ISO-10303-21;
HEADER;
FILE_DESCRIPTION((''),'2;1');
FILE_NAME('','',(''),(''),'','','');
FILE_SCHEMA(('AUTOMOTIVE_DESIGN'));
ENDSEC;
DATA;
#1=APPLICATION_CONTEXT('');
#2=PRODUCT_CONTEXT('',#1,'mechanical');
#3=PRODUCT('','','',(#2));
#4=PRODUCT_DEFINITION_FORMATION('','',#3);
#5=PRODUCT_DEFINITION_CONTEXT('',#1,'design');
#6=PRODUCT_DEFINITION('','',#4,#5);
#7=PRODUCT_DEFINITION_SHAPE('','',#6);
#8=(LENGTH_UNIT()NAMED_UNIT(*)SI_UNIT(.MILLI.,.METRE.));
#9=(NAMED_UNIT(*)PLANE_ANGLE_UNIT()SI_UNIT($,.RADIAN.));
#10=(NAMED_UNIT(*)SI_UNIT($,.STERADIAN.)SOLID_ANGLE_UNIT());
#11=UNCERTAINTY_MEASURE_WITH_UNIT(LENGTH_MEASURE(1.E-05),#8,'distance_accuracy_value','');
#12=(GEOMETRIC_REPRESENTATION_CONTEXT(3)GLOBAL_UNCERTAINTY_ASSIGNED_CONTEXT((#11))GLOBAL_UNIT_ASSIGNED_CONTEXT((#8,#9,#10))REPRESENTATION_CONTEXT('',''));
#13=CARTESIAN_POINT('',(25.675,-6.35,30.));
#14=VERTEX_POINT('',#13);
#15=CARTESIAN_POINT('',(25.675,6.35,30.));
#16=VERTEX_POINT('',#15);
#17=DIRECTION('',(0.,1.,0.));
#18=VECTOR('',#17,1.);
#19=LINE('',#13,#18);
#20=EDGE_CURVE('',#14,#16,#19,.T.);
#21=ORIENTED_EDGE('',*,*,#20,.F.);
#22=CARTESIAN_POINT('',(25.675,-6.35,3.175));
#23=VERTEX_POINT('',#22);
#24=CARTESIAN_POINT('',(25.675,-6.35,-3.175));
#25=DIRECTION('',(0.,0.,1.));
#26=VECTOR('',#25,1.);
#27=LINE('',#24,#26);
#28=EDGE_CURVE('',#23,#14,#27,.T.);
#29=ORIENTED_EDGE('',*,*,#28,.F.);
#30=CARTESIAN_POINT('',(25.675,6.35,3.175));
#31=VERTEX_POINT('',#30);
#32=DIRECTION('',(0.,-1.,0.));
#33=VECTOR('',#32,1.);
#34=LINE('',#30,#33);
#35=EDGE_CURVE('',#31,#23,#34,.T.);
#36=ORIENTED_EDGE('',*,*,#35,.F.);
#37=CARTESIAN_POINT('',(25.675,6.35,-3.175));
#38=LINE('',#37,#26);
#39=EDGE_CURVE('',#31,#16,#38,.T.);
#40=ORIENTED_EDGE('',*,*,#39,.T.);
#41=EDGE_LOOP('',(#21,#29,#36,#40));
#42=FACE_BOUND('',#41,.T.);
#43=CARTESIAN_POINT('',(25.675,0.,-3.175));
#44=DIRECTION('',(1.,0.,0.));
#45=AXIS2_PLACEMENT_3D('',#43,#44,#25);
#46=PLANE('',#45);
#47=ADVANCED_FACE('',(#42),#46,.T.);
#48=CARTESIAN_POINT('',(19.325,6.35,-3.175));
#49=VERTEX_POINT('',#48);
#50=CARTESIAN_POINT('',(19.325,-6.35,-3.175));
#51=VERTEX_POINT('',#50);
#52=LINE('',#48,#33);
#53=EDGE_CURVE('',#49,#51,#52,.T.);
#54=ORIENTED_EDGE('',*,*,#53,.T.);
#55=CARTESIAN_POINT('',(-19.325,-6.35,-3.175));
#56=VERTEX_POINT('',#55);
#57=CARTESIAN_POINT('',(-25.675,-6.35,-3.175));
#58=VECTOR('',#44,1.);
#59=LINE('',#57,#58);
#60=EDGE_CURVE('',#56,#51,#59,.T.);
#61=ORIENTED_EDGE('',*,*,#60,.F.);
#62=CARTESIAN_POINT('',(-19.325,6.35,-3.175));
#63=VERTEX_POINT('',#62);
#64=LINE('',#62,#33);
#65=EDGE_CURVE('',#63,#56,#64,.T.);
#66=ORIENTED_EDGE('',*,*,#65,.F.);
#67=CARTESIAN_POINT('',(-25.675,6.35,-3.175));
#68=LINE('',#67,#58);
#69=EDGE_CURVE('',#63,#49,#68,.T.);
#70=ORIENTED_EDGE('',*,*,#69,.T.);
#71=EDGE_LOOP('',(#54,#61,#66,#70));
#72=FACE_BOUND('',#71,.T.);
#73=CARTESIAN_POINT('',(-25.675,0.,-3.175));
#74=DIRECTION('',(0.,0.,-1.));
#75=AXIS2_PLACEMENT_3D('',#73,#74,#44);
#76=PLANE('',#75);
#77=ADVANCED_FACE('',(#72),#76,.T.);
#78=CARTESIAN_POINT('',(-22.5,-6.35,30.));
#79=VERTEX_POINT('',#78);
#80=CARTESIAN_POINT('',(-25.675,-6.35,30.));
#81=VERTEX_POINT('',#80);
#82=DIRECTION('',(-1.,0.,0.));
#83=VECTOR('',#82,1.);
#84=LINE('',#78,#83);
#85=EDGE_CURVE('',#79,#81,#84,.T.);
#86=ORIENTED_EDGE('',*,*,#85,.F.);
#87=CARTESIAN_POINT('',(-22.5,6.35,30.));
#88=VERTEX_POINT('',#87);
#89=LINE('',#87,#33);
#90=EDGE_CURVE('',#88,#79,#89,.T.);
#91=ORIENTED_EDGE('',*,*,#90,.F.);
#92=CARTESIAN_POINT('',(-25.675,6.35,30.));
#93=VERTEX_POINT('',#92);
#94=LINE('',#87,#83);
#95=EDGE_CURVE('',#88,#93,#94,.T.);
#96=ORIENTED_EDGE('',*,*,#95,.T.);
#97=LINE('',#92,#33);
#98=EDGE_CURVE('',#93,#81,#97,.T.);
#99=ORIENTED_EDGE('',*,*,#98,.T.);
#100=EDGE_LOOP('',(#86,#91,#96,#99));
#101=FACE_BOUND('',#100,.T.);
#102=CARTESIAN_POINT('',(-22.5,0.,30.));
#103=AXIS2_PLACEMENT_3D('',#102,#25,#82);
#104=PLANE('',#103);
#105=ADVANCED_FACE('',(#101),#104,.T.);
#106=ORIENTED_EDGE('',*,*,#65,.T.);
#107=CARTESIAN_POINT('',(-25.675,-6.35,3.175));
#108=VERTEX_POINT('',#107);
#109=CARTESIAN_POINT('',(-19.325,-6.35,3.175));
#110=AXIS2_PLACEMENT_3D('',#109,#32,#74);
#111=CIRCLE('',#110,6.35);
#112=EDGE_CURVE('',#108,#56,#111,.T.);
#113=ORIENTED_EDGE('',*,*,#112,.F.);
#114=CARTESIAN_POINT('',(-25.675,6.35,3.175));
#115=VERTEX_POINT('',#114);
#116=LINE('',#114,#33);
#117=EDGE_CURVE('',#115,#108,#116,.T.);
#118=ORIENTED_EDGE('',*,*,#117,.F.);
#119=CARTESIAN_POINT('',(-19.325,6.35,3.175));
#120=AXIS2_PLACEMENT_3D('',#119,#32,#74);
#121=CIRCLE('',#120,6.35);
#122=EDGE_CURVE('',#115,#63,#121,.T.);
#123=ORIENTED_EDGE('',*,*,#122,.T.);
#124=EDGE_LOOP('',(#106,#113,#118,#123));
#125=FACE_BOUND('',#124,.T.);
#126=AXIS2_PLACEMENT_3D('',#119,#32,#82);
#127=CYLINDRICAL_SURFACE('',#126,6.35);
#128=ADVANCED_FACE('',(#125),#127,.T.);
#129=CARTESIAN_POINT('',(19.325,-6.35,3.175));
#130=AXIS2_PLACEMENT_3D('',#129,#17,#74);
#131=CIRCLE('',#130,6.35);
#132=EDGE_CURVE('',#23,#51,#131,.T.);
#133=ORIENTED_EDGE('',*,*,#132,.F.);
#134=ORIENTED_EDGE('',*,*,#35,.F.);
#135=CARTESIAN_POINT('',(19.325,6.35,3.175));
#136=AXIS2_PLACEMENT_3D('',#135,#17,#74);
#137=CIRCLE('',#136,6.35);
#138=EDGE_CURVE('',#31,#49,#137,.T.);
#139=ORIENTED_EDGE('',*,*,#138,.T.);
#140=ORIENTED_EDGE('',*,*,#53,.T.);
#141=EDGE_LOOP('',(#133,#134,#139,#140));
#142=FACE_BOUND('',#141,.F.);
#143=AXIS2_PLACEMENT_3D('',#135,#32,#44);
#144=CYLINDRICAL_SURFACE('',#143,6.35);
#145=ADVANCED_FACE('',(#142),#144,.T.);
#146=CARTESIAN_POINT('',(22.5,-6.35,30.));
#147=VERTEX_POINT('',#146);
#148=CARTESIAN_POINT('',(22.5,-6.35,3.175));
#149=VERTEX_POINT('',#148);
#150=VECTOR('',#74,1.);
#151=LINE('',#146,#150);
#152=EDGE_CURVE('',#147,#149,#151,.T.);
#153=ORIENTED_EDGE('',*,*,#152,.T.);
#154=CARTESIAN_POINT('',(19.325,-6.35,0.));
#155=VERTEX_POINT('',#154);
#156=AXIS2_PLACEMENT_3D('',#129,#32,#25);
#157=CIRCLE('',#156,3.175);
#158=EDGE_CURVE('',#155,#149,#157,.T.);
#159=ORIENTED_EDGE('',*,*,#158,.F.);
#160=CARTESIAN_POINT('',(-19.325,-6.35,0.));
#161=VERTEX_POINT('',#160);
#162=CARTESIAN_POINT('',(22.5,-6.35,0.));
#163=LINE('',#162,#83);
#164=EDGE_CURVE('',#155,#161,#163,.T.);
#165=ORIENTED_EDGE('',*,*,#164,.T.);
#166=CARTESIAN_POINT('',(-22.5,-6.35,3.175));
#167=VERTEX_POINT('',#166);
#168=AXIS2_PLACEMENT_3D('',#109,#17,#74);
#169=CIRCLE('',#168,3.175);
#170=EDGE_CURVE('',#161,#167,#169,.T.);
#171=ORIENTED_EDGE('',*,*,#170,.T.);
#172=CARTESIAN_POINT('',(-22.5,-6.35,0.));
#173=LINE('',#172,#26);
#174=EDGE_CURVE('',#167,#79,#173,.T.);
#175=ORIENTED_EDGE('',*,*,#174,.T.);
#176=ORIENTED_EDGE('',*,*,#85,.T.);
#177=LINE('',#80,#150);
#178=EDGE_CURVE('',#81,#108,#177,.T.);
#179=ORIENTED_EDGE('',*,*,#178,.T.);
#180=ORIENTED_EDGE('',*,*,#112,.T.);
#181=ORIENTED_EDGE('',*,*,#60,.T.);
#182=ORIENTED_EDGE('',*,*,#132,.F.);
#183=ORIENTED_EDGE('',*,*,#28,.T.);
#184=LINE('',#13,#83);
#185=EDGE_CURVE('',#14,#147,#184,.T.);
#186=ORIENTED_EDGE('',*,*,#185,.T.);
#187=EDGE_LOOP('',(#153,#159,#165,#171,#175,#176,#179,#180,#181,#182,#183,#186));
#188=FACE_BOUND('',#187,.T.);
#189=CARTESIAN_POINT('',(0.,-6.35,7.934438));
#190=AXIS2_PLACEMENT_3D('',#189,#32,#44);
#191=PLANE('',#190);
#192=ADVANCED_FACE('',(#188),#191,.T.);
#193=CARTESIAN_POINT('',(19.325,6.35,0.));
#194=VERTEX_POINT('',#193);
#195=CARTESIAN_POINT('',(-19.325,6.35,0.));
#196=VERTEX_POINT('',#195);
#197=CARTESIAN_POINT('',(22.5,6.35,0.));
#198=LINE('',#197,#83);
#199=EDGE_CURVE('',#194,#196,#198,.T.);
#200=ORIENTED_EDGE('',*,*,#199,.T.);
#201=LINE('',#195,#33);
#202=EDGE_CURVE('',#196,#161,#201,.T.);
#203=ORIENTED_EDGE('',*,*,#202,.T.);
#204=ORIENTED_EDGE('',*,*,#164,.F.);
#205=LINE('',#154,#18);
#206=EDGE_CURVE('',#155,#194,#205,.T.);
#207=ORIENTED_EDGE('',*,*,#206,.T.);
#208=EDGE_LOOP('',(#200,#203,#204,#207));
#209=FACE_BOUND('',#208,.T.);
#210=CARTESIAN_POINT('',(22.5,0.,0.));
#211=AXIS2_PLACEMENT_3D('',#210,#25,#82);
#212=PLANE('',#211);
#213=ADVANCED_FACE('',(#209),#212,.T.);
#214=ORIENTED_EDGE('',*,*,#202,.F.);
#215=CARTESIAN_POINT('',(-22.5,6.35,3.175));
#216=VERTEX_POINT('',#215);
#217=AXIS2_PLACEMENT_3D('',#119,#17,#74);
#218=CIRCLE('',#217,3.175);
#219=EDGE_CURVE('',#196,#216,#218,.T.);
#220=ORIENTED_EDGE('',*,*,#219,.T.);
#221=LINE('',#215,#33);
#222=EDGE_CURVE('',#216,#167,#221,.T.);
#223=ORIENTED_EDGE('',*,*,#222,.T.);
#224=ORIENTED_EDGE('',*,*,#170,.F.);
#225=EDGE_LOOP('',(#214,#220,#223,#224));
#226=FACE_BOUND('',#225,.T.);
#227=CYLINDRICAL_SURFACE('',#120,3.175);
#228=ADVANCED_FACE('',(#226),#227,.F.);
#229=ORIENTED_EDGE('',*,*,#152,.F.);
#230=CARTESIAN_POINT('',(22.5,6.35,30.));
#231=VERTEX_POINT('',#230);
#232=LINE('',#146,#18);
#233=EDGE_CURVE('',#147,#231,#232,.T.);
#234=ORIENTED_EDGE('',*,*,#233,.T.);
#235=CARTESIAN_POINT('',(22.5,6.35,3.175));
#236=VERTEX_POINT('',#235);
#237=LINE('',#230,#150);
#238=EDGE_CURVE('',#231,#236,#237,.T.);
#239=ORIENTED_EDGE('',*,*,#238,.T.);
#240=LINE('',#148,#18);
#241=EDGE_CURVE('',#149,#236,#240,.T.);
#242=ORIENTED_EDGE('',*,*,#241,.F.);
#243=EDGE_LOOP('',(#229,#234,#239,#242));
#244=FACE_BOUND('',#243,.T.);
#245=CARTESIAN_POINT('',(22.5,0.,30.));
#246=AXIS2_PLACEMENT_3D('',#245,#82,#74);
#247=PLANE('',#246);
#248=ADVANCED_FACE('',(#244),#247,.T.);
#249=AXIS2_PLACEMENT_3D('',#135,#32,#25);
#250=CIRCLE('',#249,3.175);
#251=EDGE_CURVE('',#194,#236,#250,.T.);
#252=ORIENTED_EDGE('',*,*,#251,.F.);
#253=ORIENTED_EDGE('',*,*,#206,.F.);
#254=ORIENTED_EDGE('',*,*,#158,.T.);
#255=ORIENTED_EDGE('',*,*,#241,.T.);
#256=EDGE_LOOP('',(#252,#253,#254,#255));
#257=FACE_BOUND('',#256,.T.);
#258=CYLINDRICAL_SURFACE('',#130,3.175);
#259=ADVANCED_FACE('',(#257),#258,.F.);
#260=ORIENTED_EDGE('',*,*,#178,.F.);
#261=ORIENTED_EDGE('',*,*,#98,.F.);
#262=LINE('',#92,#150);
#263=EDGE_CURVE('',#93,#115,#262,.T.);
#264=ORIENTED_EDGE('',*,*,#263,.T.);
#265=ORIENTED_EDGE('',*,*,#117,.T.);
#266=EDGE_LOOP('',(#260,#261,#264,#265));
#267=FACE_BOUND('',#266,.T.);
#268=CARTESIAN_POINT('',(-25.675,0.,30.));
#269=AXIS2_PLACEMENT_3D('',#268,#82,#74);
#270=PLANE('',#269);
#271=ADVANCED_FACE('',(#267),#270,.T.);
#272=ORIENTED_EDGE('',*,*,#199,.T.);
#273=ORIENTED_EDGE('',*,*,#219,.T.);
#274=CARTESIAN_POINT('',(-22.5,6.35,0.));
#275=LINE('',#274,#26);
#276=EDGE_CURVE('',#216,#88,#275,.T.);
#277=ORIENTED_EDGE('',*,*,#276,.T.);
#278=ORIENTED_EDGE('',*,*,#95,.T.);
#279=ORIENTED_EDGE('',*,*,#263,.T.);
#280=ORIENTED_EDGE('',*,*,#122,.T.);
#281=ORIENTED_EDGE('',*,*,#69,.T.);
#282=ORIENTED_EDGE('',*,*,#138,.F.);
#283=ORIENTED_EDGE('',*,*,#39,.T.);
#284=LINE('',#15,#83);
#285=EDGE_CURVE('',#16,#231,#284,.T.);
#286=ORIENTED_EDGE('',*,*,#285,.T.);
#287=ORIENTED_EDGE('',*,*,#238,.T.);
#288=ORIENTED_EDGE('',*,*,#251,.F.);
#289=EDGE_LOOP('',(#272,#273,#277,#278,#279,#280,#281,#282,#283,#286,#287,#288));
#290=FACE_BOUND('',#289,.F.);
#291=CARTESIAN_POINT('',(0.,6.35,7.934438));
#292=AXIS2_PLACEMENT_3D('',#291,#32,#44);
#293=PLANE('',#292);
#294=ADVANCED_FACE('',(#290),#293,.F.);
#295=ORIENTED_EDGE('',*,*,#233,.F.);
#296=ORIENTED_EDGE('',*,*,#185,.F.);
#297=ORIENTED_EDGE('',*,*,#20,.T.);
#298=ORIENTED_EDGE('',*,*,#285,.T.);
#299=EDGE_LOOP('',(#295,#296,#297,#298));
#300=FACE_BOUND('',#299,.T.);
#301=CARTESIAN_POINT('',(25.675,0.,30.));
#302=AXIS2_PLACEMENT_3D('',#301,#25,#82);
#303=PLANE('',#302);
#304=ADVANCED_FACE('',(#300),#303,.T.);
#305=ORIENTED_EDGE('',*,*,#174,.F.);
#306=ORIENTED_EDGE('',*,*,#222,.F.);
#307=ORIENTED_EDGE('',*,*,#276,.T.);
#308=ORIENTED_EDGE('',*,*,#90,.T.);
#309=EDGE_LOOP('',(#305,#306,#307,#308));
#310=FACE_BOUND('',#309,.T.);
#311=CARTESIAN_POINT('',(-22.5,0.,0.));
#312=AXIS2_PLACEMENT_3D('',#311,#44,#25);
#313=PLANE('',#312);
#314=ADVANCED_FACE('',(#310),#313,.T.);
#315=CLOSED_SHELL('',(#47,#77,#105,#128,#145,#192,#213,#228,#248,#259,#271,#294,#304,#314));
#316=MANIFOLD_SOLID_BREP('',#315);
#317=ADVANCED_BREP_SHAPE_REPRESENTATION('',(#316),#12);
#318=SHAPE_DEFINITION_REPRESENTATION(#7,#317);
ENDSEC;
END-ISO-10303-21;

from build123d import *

# Parameters (mm, degrees)
F1_DEPTH = 6.35
F2_R     = 3.175
F3_R     = 6.35


with BuildPart() as f1:
    # F0 (on Front) → F1 (new body, symmetric)
    with BuildSketch(Plane.XZ):
        Polygon((22.5, 0), (0, 0), (-22.5, 0), (-22.5, 30), (-25.675, 30), (-25.675, -3.175), (0, -3.175), (25.675, -3.175), (25.675, 30), (22.5, 30), align=None)
    extrude(amount=F1_DEPTH, both=True)

    # F2
    f2_edges = [f1.edges().sort_by_distance(p)[0] for p in [
        (22.5, 0, 0),
        (-22.5, 0, 0),
    ]]
    fillet(f2_edges, radius=F2_R)

    # F3
    f3_edges = [f1.edges().sort_by_distance(p)[0] for p in [
        (-25.675, 0, -3.175),
        (25.675, 0, -3.175),
    ]]
    fillet(f3_edges, radius=F3_R)


solid = f1.part
